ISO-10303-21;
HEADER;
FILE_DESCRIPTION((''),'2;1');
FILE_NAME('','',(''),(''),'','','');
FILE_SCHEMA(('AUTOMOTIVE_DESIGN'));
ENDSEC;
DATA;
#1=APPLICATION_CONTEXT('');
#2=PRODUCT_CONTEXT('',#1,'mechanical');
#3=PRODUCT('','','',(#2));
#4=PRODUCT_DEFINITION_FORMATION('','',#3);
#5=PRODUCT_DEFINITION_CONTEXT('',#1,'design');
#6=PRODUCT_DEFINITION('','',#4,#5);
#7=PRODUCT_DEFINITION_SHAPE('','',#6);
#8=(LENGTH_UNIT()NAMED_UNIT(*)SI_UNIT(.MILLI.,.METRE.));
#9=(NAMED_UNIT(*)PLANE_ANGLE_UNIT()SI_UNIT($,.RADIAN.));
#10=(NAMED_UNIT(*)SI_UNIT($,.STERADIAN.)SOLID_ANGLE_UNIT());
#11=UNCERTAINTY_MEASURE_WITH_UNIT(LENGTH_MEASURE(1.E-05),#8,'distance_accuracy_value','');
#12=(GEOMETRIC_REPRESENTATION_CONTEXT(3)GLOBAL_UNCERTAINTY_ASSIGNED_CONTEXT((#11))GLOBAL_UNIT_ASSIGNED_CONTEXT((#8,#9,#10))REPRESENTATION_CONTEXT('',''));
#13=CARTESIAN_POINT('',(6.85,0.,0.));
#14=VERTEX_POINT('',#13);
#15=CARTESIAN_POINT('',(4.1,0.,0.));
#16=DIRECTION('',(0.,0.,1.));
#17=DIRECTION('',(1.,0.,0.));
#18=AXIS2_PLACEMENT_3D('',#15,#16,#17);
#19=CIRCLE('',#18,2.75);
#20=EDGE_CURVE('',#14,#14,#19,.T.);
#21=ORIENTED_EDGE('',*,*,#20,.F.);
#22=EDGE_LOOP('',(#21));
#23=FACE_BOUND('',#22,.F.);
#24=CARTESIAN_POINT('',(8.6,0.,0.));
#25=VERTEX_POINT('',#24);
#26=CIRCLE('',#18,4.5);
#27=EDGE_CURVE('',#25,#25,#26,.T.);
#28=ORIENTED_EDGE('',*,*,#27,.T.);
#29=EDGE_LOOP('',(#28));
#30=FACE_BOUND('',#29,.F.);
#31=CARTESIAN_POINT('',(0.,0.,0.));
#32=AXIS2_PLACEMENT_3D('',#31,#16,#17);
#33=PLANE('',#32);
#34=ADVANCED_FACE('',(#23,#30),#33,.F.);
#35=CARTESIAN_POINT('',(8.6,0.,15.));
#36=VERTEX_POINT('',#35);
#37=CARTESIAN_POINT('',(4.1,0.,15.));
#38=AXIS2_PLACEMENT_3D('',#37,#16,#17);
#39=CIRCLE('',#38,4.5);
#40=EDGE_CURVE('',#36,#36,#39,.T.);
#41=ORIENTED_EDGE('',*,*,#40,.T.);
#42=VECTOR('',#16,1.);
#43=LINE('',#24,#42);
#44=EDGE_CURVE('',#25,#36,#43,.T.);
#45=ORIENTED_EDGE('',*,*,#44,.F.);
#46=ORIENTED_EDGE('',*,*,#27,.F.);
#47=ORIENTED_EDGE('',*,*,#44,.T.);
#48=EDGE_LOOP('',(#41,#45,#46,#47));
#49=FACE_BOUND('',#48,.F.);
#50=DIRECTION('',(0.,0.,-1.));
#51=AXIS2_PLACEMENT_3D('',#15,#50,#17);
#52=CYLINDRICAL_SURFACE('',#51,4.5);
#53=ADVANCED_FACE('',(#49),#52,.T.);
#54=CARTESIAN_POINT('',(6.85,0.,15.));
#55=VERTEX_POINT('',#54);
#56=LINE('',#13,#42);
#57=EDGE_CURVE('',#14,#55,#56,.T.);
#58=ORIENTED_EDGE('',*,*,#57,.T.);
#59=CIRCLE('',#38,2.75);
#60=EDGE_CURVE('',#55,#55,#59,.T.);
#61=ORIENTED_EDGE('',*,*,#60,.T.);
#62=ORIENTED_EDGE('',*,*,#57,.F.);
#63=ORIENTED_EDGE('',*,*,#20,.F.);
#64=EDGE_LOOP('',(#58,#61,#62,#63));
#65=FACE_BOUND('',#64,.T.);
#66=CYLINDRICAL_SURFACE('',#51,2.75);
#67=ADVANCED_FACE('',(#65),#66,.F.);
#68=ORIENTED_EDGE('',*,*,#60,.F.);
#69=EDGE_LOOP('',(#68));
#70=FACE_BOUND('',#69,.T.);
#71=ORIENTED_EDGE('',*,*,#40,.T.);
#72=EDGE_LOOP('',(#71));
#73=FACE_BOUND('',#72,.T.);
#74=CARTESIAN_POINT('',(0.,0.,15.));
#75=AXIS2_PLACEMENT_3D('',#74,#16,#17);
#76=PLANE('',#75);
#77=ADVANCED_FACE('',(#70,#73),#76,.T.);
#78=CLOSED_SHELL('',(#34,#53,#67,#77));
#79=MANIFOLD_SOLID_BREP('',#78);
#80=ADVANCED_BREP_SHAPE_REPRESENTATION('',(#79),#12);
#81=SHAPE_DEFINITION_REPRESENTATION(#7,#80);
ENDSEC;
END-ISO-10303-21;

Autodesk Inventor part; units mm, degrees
ref_plane "YZ Plane" through (0, 0, 0) normal (1, 0, 0) x (0, 1, 0)
ref_plane "XZ Plane" through (0, 0, 0) normal (0, 1, 0) x (-1, 0, 0)
ref_plane "XY Plane" through (0, 0, 0) normal (0, 0, 1) x (1, 0, 0)
sketch "Sketch1" plane through (0, 0, 0) normal (0, 0, 1) x (1, 0, 0)
  circle A0 centre (4.1, 0) radius 2.75
  circle A1 centre (4.1, 0) radius 4.5
  point P0 (0, 0)
  dimension "d0" = 5.5
  dimension "d1" = 9
extrude "Extrusion1" add sketch "Sketch1" along normal blind 15
properties part number "Long-Spacer"
